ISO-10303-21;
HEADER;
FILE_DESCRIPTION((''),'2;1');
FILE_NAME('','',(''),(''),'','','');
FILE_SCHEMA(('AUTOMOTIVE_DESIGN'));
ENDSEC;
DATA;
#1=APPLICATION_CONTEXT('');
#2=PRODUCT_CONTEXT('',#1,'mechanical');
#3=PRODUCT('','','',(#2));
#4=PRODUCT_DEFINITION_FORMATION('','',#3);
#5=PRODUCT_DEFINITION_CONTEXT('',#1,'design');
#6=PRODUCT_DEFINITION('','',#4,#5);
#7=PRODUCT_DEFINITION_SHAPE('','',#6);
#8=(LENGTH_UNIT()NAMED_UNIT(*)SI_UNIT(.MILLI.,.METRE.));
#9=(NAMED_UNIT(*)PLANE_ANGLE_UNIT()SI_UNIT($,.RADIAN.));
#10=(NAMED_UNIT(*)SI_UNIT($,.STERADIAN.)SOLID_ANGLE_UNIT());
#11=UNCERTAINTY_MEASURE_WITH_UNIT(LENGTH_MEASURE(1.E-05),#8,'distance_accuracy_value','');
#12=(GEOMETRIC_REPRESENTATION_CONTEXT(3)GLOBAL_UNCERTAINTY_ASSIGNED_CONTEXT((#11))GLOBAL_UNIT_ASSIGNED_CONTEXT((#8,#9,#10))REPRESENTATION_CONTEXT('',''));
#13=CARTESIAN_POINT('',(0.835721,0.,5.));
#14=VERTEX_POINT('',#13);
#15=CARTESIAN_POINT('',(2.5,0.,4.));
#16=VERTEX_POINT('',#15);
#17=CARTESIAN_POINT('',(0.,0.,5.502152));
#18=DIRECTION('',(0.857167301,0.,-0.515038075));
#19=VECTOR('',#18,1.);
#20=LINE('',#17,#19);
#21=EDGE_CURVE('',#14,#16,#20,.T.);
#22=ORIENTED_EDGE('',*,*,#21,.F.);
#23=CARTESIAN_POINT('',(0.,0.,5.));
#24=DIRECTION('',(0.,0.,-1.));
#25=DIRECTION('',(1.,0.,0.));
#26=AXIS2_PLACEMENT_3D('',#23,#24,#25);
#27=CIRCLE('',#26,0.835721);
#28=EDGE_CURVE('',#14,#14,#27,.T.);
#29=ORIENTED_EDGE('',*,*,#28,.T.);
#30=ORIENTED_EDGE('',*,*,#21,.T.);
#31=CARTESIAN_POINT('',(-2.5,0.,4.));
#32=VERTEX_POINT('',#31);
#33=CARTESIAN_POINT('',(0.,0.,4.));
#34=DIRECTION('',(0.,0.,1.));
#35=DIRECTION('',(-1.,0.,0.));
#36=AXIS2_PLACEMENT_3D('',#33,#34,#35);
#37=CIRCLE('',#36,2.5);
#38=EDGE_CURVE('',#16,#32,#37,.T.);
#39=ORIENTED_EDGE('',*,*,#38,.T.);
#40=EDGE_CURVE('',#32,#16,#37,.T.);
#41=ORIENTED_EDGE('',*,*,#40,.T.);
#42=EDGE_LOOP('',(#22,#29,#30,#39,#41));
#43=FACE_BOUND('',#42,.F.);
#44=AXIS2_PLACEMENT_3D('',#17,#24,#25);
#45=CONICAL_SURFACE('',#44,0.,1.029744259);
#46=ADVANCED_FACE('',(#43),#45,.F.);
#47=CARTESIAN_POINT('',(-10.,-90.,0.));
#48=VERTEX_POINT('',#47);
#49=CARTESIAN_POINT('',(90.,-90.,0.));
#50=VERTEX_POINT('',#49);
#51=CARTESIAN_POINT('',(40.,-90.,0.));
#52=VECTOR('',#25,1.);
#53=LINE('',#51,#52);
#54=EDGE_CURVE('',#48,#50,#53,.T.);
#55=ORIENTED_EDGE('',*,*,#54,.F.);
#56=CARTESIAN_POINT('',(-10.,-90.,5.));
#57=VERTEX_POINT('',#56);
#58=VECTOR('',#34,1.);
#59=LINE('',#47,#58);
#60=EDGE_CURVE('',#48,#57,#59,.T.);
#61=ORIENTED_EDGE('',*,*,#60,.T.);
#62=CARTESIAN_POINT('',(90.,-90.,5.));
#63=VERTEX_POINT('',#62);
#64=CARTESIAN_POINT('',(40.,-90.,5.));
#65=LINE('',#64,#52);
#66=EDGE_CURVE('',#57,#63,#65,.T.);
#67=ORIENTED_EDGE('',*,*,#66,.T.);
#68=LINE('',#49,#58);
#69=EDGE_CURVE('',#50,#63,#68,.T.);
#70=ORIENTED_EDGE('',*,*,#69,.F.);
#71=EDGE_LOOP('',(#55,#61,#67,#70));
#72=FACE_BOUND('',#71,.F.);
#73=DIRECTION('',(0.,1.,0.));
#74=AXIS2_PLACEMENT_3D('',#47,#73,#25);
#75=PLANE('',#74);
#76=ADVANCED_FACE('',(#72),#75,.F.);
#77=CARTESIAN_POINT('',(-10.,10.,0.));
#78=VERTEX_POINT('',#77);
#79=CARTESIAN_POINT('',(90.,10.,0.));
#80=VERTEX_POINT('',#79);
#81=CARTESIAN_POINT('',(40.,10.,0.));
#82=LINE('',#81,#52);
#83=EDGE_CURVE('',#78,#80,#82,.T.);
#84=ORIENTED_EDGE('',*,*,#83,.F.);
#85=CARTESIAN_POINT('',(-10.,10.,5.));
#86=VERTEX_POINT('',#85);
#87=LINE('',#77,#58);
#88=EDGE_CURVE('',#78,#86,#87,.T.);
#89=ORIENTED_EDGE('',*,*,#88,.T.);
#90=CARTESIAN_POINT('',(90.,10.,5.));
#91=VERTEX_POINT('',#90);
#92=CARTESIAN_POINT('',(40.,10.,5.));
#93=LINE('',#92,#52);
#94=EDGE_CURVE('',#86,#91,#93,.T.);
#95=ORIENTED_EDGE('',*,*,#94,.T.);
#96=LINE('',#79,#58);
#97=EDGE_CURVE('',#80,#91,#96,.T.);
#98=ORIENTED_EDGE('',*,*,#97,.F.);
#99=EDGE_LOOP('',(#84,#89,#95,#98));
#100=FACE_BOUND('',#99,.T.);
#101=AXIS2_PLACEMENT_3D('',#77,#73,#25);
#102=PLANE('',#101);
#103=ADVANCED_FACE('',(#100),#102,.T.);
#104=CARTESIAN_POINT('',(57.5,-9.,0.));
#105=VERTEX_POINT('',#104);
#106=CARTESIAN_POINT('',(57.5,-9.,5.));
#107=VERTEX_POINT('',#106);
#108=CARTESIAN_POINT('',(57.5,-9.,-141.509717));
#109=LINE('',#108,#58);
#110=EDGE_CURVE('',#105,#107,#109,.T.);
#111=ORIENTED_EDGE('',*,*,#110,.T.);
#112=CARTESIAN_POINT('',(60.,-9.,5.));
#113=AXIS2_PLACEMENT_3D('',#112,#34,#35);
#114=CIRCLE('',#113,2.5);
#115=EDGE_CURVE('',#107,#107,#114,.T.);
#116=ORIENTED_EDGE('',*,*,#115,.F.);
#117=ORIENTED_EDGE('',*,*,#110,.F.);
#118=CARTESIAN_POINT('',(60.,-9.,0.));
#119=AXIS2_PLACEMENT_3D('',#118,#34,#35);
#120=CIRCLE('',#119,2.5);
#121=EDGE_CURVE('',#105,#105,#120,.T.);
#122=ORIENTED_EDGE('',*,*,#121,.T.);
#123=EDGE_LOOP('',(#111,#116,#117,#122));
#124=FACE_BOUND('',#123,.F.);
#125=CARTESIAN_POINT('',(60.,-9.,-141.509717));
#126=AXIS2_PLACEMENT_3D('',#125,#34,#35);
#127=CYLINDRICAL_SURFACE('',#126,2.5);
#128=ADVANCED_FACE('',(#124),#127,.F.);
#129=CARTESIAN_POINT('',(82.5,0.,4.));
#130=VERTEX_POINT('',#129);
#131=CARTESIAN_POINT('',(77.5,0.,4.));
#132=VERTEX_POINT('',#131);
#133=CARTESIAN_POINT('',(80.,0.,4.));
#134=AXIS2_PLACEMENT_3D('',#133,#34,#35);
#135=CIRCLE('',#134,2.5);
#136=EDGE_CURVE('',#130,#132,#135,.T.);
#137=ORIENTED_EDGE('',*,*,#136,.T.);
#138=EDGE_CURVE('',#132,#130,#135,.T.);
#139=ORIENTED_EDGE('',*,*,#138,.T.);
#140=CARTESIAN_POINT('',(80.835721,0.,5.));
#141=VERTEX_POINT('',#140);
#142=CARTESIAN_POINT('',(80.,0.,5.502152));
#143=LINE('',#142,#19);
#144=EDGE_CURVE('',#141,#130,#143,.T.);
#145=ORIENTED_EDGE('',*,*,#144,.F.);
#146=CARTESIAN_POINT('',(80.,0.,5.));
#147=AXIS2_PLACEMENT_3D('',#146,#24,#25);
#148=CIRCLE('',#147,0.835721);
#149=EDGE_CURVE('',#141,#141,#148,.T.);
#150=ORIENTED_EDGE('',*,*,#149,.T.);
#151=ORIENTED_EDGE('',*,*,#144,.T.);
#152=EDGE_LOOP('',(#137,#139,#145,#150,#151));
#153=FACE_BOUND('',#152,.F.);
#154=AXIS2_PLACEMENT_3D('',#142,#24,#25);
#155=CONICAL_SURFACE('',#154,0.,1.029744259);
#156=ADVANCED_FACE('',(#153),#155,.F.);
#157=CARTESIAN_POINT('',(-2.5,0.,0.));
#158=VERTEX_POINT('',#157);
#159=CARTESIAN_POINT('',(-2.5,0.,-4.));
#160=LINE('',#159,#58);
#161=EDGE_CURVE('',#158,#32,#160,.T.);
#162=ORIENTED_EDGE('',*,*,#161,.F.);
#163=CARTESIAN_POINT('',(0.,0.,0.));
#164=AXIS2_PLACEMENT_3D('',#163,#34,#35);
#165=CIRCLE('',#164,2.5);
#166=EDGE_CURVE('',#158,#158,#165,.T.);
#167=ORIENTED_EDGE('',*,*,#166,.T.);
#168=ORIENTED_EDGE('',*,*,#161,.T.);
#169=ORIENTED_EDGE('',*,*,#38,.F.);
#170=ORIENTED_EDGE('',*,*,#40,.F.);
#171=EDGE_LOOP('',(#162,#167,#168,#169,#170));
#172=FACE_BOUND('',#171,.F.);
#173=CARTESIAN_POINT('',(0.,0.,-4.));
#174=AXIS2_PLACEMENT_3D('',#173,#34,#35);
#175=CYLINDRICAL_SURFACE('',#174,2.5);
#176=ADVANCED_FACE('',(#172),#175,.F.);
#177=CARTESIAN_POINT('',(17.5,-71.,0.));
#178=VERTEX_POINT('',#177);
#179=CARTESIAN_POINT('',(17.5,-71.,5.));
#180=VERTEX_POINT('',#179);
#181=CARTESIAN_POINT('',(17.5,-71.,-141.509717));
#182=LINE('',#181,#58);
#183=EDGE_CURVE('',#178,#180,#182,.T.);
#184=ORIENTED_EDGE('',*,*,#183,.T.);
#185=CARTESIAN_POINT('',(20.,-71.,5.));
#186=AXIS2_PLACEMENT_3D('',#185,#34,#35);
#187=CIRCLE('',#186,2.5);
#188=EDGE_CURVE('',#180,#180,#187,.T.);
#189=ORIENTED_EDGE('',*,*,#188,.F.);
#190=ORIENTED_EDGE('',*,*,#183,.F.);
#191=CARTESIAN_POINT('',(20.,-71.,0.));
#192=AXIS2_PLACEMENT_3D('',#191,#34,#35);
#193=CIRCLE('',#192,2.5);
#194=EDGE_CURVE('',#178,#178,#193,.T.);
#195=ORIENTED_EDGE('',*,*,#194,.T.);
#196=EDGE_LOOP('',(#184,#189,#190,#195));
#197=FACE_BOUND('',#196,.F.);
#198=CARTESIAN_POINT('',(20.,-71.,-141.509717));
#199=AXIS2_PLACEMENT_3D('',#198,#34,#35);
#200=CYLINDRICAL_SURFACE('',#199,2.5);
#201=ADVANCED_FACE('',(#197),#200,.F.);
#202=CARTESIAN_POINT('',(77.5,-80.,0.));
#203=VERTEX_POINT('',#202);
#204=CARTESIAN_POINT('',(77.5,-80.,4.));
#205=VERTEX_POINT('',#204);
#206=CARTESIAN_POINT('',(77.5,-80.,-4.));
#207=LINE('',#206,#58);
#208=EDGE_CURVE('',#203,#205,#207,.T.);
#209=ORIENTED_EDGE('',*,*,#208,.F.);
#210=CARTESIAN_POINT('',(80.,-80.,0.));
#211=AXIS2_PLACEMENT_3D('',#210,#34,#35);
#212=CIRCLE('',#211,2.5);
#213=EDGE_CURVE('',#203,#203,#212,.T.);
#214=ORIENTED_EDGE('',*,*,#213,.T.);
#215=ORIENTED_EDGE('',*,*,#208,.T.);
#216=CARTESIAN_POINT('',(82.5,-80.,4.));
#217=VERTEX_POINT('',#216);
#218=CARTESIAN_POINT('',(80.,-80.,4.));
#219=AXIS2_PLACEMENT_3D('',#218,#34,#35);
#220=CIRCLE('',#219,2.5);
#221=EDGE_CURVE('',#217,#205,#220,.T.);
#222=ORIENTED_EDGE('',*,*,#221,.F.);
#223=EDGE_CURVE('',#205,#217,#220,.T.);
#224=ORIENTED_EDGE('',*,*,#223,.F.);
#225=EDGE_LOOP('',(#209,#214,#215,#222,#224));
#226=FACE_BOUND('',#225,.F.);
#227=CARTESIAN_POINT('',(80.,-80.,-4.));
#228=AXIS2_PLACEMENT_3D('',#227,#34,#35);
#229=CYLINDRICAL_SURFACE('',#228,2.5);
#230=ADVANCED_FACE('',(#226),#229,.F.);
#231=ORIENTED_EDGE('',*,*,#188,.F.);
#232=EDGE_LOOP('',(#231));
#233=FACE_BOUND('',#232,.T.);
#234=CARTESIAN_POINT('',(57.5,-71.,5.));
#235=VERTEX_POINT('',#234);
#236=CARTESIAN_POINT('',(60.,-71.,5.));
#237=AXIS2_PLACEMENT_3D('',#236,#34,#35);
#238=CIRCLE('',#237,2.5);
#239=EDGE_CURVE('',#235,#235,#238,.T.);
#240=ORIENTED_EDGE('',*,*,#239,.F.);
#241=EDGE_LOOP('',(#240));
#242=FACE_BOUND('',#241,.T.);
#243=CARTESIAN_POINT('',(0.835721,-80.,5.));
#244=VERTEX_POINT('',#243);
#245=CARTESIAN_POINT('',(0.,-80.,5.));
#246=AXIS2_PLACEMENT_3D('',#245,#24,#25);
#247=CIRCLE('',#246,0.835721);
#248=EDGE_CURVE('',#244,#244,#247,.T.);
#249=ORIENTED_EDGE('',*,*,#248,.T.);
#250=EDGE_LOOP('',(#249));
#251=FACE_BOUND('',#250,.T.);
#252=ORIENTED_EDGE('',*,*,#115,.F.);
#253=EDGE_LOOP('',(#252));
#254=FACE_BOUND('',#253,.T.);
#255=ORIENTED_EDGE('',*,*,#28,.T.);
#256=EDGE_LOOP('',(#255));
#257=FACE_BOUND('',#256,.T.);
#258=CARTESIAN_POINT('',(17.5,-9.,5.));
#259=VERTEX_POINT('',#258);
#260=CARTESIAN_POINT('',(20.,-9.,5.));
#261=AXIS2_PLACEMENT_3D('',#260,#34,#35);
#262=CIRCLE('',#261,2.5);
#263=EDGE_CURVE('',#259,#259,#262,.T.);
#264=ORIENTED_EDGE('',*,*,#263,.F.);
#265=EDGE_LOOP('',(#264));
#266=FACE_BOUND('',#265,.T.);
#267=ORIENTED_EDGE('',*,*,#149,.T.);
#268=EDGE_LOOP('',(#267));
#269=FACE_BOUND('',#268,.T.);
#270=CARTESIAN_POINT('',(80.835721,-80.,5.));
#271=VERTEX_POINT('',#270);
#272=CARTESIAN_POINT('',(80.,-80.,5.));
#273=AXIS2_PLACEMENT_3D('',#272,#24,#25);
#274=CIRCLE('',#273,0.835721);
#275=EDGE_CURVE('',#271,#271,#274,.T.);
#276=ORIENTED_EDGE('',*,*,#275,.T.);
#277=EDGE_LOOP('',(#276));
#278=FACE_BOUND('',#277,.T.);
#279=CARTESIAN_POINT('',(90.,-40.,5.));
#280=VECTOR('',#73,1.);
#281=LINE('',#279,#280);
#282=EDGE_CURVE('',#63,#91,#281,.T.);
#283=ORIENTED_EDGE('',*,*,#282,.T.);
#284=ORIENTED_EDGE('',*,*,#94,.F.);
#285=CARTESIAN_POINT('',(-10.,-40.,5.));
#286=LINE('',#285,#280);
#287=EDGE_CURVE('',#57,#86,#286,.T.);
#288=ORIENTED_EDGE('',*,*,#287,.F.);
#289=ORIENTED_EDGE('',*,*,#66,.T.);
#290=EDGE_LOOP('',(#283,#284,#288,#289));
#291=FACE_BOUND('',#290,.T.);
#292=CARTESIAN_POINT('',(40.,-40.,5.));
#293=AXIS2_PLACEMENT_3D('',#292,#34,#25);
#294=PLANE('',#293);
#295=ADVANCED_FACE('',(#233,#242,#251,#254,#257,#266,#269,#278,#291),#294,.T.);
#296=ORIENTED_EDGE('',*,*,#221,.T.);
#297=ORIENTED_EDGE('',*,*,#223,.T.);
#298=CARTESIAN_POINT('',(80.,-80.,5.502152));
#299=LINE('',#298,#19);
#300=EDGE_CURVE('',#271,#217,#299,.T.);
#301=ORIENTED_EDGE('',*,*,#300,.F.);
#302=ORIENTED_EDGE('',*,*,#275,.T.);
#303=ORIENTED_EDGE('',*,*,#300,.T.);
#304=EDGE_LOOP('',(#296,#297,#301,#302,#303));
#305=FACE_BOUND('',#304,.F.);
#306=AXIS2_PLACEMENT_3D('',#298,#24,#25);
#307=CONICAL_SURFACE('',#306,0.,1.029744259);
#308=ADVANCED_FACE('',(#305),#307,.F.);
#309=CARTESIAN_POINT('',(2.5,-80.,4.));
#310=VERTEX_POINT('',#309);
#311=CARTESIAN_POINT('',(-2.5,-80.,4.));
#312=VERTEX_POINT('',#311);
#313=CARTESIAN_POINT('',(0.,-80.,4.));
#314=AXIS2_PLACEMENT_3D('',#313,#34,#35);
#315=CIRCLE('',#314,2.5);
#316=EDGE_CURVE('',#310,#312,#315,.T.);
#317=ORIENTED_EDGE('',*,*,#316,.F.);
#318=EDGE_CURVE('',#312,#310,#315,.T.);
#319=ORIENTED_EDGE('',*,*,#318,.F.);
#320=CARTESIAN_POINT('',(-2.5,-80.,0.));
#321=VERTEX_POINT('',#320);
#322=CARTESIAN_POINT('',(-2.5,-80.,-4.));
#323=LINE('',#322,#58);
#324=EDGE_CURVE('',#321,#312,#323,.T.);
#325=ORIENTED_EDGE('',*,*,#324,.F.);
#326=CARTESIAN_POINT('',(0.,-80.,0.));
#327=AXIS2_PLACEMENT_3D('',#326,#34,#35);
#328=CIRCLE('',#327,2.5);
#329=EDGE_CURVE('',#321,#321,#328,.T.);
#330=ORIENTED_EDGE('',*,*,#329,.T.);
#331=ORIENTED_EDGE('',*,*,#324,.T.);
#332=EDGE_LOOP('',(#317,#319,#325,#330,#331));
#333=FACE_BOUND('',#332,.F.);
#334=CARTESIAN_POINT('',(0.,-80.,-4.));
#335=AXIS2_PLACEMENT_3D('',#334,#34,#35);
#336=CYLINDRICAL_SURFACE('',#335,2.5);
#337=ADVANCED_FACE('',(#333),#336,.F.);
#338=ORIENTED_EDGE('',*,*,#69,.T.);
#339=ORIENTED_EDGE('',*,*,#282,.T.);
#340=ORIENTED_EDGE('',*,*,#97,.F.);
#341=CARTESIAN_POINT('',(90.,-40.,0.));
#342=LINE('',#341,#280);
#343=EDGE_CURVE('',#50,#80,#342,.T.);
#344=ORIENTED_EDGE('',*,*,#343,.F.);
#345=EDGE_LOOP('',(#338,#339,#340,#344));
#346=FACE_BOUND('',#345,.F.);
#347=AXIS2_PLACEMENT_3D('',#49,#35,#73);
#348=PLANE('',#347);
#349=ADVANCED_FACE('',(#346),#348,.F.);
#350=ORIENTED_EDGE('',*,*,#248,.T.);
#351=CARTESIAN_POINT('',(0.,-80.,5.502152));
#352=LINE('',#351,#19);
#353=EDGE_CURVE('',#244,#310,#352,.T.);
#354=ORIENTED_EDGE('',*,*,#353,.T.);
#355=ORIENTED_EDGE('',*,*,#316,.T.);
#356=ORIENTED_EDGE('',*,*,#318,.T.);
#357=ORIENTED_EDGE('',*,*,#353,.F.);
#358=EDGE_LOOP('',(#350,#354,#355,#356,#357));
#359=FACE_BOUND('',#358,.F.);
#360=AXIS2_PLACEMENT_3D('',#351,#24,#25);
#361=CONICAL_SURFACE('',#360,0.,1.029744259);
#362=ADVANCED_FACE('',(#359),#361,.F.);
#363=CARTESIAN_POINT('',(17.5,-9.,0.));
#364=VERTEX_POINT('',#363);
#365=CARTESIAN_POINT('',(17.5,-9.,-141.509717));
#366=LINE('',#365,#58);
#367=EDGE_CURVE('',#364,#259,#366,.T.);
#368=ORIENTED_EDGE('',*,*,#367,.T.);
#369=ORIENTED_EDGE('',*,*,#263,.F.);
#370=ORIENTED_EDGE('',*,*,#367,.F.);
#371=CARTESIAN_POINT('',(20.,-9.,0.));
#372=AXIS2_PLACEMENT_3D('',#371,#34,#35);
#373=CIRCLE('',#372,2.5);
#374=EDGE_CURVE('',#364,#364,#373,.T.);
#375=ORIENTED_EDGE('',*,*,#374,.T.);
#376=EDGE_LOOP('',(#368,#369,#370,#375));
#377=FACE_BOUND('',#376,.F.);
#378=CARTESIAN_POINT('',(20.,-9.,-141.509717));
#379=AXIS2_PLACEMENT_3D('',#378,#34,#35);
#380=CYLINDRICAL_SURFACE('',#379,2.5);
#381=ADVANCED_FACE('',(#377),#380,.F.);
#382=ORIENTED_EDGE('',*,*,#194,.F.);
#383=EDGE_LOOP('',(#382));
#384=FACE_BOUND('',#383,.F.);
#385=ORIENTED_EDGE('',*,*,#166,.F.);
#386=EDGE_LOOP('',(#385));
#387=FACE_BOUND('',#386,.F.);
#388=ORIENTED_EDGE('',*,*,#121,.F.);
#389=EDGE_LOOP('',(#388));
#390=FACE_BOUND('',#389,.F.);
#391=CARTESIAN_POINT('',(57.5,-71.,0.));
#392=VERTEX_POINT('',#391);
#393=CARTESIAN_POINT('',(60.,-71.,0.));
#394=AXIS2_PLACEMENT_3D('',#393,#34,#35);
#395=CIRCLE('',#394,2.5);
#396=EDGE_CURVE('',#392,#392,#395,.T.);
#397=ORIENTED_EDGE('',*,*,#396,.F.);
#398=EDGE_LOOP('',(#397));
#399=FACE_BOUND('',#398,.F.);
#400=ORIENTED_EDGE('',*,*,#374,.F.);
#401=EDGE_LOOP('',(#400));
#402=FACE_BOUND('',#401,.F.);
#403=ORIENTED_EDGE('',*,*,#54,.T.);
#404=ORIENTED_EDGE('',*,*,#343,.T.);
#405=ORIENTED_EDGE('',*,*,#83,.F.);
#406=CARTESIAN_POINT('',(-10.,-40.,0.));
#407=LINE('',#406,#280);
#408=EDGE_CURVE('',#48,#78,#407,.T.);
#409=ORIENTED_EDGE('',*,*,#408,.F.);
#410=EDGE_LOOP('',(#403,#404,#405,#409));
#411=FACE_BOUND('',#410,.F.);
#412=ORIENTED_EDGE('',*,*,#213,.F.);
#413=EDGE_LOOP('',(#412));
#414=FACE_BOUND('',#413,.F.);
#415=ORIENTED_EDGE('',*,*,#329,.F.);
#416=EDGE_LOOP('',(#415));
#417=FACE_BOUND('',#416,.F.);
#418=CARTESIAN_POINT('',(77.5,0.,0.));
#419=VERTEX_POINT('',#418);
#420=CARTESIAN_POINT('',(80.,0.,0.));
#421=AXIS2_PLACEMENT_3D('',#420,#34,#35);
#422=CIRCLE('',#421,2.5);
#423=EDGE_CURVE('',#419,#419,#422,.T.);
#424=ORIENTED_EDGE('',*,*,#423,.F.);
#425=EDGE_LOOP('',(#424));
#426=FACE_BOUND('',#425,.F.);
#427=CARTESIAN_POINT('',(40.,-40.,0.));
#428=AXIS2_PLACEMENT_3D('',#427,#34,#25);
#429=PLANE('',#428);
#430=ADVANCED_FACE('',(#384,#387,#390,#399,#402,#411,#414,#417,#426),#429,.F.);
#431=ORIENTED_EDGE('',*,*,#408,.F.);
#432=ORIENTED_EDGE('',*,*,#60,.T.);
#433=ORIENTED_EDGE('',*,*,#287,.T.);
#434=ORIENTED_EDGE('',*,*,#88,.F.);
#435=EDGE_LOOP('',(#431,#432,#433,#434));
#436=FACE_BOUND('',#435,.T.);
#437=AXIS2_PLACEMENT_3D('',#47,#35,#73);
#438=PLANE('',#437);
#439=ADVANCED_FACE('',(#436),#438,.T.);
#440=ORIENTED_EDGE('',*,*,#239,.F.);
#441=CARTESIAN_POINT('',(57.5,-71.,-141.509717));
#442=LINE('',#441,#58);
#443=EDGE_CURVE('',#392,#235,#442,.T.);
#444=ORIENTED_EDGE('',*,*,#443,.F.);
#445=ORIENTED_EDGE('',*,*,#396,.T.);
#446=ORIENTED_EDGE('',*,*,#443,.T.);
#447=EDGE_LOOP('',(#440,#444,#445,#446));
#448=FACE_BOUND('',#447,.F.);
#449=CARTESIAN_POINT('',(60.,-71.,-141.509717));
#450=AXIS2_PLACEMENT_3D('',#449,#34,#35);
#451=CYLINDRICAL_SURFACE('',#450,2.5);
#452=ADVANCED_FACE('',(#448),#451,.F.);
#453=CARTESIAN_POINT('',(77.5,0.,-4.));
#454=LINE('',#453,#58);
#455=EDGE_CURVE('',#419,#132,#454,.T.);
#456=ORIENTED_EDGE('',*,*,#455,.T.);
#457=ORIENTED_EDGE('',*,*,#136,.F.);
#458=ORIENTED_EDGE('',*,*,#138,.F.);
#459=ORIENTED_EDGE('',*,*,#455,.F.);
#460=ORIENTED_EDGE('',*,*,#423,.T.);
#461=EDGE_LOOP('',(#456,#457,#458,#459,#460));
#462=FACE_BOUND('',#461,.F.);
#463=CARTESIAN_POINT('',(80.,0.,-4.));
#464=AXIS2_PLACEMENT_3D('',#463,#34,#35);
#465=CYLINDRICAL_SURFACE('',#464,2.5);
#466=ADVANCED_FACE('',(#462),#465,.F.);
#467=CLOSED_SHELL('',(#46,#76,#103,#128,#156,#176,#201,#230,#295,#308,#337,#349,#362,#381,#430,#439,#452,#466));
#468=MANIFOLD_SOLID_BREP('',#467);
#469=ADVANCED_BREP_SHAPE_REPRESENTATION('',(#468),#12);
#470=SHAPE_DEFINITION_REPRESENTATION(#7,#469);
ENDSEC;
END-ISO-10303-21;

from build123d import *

# Parameters (mm, degrees)
F0_W     = 100
F0_H     = 100
F0_W_2   = 80
F0_H_2   = 80
F1_DEPTH = 5
F3_D     = 5
F4_D     = 5
F4_DEPTH = 4
F4_TIP   = 1.5021515476


with BuildPart() as f1:
    # F0 (on Top) → F1 (new body)
    with BuildSketch(Plane.XY):
        with Locations((40, -40)):
            Rectangle(F0_W, F0_H)
        with Locations((40, -40)):
            Rectangle(F0_W_2, F0_H_2, mode=Mode.SUBTRACT)
        with Locations((40, -40)):
            Rectangle(F0_W_2, F0_H_2)
    extrude(amount=F1_DEPTH)

    # F3 (through all)
    with Locations(Plane(origin=(0, 0, 0), x_dir=(1, 0, 0), z_dir=(0, 0, -1))):
        with Locations((20, 9), (60, 9), (60, 71), (20, 71)):
            Hole(F3_D / 2)

    # F4
    with Locations(Plane(origin=(0, 0, 0), x_dir=(1, 0, 0), z_dir=(0, 0, -1))):
        with Locations((0, 80), (80, 80), (80, 0), (0, 0)):
            Hole(F4_D / 2, depth=F4_DEPTH)
            with Locations((0, 0, -(F4_DEPTH + F4_TIP / 2))):  # 118° drill point
                Cone(0, F4_D / 2, F4_TIP, mode=Mode.SUBTRACT)


solid = f1.part
